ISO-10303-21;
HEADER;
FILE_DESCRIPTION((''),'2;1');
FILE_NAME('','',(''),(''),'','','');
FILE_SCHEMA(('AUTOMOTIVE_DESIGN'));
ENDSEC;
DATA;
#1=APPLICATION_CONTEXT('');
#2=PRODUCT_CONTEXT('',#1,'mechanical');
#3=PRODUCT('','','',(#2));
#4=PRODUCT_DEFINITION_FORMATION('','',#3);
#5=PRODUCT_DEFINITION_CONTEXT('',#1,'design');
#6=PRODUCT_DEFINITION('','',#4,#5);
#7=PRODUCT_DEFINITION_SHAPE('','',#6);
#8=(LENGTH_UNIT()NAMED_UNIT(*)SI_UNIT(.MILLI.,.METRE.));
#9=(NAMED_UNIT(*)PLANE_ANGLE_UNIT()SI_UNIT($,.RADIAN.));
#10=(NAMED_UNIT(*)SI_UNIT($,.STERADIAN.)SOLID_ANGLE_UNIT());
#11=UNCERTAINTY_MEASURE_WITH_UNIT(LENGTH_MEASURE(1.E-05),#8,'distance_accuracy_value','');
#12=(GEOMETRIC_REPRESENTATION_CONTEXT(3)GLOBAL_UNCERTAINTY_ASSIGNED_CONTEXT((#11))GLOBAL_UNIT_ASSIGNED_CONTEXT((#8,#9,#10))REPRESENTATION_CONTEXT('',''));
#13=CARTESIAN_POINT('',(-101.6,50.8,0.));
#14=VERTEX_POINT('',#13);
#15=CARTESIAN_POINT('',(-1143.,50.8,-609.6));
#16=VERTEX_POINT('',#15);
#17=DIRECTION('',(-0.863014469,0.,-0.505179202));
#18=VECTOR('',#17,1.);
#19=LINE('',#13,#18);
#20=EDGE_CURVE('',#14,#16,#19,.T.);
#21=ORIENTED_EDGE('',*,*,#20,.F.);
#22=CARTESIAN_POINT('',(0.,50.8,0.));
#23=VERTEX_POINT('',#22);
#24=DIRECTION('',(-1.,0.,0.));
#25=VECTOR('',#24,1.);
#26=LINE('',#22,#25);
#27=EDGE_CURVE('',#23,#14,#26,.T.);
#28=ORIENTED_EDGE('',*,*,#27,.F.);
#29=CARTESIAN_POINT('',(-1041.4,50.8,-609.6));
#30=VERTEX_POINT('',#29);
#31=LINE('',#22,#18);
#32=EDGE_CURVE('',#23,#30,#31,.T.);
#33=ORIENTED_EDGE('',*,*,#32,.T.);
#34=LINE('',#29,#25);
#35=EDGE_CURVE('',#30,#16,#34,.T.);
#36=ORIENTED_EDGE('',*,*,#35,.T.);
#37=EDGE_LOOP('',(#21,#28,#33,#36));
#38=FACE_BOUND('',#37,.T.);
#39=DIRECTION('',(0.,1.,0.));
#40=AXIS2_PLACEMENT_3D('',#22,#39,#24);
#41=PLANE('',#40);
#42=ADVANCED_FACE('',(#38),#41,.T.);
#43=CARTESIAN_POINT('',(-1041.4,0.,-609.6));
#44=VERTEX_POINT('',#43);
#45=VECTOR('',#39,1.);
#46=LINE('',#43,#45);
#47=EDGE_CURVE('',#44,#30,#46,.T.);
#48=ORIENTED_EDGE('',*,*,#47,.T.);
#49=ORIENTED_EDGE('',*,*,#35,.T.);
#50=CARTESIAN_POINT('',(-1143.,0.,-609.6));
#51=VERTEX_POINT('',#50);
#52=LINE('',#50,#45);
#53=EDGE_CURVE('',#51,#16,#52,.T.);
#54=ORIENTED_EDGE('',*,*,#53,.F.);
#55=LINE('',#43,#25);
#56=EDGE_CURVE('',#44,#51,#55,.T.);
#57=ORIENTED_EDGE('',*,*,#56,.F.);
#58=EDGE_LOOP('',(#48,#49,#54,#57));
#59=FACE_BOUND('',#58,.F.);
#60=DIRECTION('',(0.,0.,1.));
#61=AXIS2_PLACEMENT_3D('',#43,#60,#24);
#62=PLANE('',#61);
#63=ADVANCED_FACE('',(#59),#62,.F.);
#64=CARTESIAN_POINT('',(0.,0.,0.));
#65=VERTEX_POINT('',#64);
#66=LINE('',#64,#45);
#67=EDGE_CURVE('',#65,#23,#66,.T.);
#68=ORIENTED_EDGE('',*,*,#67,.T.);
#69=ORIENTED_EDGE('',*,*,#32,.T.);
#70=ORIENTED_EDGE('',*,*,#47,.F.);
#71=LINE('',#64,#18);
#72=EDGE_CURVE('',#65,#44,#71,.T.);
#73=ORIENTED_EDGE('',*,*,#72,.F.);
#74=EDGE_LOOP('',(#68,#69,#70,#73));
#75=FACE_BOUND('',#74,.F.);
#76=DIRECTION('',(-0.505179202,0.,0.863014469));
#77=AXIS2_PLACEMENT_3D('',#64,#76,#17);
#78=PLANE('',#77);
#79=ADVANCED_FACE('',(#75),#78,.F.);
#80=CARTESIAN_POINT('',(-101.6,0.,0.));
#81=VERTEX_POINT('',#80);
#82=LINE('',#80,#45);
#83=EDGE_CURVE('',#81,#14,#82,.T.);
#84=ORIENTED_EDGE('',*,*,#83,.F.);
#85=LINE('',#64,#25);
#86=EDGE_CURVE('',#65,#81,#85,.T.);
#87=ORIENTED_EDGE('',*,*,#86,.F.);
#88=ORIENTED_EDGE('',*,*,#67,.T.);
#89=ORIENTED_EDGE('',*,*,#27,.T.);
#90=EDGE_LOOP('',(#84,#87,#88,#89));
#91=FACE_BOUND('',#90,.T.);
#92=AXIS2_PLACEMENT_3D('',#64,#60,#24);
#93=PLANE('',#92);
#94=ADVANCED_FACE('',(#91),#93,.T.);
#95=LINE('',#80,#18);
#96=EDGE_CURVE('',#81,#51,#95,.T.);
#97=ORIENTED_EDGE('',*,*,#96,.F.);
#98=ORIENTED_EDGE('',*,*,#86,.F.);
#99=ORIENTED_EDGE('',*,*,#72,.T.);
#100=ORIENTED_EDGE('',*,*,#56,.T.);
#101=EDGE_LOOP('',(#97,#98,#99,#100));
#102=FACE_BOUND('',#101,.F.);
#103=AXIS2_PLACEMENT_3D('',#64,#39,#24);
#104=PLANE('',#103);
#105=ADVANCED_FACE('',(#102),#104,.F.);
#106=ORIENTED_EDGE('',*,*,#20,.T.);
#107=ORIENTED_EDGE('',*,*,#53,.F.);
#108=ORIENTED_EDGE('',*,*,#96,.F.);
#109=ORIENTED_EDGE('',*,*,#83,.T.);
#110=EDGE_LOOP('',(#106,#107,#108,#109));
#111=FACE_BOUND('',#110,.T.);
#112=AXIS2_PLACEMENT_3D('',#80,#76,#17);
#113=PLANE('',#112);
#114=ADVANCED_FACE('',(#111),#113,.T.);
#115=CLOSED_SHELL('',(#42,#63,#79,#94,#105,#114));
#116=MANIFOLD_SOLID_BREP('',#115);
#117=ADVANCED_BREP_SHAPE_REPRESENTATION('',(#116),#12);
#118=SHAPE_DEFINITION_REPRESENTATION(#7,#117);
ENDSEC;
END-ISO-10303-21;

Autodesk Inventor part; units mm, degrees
ref_plane "YZ Plane" through (0, 0, 0) normal (1, 0, 0) x (0, 1, 0)
ref_plane "XZ Plane" through (0, 0, 0) normal (0, 1, 0) x (-1, 0, 0)
ref_plane "XY Plane" through (0, 0, 0) normal (0, 0, 1) x (1, 0, 0)
sketch "Sketch1" plane through (0, 0, 0) normal (0, 1, 0) x (-1, 0, 0)
  line L0 (0, 0) -> (1041.4, -609.6)
  line L1 (0, 0) -> (101.6, 0)
  line L2 (1041.4, -609.6) -> (1143, -609.6)
  line L3 (101.6, 0) -> (1143, -609.6)
  point P0 (0, -609.6)
  point P1 (1045.4418, -552.4927)
  dimension "d0" = 609.6
  dimension "d1" = 1041.4
  dimension "d2" = 101.6
  dimension "d3" = 101.6
  dimension "d6" = 609.6
extrude "Extrusion1" add sketch "Sketch1" along normal blind 50.8
properties part number "2x4x(20x41)"
